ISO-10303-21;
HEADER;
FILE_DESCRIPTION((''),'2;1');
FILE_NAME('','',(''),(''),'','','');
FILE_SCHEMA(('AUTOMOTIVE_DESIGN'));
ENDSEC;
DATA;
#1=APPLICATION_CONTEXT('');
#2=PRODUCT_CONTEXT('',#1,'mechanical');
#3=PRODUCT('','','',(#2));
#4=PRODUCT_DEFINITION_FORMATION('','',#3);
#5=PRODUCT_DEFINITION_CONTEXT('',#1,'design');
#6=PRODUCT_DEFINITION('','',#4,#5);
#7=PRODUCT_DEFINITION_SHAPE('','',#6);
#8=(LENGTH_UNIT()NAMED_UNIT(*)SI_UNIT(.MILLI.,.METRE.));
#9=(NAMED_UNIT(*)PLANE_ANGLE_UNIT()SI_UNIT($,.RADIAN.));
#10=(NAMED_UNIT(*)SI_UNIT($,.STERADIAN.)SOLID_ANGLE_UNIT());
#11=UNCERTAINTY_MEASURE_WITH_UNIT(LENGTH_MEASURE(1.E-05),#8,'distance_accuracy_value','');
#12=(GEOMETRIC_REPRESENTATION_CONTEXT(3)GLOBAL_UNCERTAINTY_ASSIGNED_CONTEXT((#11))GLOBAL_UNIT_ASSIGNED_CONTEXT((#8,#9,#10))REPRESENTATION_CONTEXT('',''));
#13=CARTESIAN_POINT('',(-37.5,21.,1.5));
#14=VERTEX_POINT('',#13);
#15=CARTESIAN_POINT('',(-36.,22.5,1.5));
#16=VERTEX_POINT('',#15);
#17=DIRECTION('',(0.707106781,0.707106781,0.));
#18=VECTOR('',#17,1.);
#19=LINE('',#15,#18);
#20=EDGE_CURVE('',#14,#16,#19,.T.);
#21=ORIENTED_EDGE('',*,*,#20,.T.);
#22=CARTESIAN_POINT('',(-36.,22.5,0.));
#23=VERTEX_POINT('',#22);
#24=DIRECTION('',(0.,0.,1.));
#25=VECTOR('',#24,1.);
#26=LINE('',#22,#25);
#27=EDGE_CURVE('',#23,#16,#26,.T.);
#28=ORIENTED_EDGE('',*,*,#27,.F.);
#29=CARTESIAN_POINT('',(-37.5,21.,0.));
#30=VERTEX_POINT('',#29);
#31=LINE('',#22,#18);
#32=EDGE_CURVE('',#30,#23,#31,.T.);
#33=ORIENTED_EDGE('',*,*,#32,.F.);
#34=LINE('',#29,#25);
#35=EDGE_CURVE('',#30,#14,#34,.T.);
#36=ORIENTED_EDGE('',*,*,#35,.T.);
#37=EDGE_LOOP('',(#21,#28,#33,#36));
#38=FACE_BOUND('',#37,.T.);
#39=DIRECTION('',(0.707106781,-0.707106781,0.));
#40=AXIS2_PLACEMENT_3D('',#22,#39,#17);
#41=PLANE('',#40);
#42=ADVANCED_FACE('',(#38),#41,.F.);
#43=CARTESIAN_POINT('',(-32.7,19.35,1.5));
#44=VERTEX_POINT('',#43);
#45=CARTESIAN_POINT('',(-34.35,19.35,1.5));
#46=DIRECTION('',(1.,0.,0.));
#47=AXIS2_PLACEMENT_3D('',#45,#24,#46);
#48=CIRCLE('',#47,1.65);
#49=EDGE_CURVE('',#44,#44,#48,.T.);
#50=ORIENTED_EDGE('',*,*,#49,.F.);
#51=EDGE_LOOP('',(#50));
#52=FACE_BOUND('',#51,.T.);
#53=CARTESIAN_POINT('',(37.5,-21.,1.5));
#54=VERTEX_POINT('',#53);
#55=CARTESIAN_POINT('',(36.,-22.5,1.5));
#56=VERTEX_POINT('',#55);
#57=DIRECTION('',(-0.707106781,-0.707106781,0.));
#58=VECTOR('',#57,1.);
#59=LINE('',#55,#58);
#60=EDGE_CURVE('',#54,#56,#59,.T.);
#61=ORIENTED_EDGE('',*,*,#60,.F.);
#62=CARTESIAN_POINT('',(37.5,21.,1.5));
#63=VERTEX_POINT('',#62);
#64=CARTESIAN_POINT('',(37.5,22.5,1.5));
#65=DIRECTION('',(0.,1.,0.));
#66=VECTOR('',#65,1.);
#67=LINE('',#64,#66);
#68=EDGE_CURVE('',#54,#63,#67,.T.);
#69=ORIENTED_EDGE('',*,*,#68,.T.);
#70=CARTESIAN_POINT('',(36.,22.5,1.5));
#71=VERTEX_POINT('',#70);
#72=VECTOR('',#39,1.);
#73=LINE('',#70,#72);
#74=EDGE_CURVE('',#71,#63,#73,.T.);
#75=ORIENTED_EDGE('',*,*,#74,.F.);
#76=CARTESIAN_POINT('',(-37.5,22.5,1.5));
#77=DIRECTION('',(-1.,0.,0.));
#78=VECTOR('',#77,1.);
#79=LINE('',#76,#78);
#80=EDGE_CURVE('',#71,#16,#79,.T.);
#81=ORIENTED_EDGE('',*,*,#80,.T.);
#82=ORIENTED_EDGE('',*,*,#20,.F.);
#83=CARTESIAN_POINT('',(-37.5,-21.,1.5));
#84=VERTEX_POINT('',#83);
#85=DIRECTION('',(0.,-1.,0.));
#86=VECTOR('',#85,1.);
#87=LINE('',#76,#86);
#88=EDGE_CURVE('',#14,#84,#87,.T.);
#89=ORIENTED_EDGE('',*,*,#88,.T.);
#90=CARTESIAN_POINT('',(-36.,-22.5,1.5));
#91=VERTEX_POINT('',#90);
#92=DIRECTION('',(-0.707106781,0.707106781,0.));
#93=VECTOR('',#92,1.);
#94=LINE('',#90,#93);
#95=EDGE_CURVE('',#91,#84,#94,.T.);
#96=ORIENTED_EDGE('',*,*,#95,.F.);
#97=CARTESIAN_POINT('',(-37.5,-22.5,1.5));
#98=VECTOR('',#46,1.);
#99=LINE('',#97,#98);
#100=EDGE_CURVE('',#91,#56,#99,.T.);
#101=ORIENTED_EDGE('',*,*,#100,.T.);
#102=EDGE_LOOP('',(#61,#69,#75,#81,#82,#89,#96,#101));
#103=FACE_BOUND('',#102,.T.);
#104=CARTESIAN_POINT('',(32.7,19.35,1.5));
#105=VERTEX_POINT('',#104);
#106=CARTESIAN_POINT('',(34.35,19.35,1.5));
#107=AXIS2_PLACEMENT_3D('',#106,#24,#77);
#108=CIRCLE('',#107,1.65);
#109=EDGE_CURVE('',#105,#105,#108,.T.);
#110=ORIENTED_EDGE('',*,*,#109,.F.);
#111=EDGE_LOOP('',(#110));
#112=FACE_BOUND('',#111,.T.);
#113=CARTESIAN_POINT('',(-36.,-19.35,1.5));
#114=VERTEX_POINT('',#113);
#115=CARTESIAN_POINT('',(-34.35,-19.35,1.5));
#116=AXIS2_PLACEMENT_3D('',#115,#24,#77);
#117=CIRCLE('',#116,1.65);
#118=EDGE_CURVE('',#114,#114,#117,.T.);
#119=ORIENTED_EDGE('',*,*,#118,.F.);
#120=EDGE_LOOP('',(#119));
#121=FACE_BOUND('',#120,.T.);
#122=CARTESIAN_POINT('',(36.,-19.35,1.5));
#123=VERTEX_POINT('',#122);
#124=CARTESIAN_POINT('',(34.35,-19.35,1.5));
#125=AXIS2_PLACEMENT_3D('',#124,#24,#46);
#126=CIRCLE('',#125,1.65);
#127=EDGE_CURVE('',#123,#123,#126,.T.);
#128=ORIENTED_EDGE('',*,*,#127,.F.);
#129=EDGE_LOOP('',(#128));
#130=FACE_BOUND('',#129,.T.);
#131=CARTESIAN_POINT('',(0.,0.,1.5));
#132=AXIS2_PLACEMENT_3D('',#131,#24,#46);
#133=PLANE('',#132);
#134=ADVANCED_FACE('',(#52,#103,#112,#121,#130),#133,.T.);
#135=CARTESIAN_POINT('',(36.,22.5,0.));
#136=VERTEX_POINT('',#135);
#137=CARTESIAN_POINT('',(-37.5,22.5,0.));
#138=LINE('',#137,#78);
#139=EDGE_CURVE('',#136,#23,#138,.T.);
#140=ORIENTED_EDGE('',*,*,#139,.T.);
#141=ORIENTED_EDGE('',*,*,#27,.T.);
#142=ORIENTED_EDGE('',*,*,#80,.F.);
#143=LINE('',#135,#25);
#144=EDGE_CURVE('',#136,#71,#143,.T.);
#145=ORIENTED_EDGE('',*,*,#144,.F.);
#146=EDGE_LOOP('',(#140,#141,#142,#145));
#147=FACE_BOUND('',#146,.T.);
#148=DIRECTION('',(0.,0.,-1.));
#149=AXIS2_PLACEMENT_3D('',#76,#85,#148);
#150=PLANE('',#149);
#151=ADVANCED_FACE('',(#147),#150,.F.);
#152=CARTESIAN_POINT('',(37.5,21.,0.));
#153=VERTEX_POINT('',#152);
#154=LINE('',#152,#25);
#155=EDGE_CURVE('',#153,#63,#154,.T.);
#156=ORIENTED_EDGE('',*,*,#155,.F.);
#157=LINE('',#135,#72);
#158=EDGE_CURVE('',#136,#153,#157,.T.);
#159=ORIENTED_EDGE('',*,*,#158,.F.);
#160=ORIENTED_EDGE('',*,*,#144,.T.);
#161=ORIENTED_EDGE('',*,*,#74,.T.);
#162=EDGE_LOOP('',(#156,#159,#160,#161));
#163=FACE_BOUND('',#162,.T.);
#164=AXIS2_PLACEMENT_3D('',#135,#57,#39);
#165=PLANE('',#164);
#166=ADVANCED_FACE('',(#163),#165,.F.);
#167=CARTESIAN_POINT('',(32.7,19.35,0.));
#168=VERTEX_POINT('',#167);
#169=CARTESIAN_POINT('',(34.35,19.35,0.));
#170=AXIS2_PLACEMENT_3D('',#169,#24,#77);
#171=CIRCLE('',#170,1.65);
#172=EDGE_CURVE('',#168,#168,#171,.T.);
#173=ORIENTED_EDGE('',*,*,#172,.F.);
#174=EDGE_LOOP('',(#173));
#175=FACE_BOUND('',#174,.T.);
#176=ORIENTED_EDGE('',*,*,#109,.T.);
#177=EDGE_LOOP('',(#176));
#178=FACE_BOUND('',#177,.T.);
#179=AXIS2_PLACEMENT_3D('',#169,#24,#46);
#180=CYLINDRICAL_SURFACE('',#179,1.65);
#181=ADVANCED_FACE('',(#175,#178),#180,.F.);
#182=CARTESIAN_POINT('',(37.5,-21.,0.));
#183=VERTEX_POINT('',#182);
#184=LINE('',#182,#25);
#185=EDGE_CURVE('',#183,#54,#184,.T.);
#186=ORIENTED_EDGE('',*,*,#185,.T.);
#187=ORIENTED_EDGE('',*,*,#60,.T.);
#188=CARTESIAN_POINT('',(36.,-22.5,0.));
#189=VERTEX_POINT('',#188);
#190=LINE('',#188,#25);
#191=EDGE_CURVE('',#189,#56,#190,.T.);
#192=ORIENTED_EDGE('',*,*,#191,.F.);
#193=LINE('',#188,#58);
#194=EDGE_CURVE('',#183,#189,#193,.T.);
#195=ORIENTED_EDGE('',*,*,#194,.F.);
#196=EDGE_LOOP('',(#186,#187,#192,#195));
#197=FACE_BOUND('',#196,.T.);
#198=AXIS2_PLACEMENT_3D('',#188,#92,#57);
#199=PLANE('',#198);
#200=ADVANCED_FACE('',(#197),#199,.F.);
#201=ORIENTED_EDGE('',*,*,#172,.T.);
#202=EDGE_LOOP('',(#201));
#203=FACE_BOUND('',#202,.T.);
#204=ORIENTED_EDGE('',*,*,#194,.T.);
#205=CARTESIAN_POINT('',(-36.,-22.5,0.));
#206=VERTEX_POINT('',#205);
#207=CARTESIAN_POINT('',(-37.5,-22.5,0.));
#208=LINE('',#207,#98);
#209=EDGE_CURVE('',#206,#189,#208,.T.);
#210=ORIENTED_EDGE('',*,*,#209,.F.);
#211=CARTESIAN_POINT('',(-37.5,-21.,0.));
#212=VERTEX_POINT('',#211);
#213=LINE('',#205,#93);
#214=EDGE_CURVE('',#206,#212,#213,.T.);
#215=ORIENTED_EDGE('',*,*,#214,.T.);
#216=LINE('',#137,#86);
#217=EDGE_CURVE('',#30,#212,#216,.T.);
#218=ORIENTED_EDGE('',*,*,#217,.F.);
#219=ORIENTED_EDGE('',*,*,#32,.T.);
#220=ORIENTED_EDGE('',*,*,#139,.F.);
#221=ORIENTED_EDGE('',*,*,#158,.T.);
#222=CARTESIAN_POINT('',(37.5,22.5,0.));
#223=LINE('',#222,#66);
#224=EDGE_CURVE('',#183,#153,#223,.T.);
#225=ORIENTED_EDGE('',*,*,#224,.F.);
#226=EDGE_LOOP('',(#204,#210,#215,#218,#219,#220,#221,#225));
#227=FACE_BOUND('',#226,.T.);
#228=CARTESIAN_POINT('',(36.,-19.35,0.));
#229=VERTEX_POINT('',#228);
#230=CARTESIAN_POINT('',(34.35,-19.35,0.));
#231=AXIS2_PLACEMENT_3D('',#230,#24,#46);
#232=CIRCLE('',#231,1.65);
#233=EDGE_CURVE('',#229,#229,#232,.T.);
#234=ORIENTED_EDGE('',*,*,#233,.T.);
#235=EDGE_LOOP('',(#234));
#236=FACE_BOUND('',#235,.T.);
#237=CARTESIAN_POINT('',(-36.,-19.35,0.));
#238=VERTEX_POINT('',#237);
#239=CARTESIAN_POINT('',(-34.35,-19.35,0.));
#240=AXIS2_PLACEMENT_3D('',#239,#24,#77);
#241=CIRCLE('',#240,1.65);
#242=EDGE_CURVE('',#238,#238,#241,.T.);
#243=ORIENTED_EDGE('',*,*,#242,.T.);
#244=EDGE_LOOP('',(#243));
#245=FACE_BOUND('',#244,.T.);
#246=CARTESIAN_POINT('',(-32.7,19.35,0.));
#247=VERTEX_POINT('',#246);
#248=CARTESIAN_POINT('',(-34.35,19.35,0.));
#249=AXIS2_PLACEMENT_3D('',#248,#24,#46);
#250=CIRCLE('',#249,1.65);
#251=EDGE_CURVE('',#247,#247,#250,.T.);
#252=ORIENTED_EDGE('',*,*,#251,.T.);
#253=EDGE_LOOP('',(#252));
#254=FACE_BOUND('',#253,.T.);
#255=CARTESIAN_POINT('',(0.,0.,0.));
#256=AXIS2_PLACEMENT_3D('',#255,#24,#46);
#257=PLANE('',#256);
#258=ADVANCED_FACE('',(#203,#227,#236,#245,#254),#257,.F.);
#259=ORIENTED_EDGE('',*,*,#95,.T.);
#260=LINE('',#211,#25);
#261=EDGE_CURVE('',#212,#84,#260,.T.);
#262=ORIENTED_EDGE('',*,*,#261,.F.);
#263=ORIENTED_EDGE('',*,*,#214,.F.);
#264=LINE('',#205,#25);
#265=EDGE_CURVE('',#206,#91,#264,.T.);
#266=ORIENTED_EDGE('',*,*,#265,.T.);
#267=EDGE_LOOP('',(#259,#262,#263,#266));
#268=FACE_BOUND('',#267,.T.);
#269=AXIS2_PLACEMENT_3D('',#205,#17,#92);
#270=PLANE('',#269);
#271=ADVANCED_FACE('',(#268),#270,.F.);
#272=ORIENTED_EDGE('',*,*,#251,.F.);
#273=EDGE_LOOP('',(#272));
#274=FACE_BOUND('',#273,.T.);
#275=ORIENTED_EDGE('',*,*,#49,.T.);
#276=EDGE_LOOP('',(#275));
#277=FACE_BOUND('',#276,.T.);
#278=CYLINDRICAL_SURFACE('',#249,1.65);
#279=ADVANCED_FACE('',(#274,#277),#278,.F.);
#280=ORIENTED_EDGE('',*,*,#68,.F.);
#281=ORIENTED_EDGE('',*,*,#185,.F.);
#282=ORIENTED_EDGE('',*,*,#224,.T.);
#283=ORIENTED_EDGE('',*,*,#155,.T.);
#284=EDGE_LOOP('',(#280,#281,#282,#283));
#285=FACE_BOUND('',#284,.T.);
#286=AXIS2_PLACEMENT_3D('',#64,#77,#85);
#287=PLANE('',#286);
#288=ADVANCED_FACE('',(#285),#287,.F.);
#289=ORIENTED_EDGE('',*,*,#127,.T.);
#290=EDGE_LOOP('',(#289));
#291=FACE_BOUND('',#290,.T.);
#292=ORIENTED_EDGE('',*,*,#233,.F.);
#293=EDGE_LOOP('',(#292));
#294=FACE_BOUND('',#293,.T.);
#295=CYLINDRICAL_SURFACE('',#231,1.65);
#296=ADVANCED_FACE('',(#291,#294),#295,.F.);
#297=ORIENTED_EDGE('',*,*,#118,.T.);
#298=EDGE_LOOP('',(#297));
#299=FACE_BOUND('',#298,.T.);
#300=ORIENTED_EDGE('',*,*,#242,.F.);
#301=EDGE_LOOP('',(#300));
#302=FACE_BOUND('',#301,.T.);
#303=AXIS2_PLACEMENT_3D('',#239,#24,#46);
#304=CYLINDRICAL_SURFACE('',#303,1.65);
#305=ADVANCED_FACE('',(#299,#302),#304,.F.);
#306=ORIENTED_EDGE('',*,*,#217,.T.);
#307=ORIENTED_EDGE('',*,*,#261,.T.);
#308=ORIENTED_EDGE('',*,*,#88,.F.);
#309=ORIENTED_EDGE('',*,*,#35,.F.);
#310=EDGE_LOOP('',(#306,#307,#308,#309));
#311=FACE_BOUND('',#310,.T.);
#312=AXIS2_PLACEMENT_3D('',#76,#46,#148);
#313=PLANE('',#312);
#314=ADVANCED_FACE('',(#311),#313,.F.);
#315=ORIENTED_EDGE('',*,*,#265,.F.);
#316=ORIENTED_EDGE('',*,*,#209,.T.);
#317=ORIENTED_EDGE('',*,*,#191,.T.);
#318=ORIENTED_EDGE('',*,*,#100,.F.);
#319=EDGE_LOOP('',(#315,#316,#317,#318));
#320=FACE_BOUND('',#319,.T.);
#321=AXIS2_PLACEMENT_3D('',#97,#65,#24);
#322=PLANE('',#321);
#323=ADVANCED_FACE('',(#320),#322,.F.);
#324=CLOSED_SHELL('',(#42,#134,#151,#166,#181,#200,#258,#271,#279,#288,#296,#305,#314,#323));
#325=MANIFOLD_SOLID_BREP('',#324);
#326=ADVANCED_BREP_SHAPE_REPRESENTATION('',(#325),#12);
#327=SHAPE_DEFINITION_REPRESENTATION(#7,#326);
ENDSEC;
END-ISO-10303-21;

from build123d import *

# Parameters (mm, degrees)
SKETCH1_W           = 75
SKETCH1_H           = 45
BOSS_EXTRUDE1_DEPTH = 1.5
SKETCH2_R           = 1.65
CUT_EXTRUDE1_DEPTH  = 2.5


with BuildPart() as part:
    # Sketch1 → Boss-Extrude1 (new body)
    with BuildSketch(Plane.XY):
        Rectangle(SKETCH1_W, SKETCH1_H)
    extrude(amount=BOSS_EXTRUDE1_DEPTH)

    # Sketch2 → Cut-Extrude1 (cut, through all)
    with BuildSketch(Plane.XY.offset(1.5)):
        with Locations((-34.35, 19.35)):
            Circle(SKETCH2_R)
        with Locations((34.35, 19.35)):
            Circle(SKETCH2_R)
        with Locations((34.35, -19.35)):
            Circle(SKETCH2_R)
        with Locations((-34.35, -19.35)):
            Circle(SKETCH2_R)
        Polygon((-37.5, 22.5), (-36, 22.5), (-37.5, 21), align=None)
        Polygon((37.5, 22.5), (36, 22.5), (37.5, 21), align=None)
        Polygon((37.5, -21), (37.5, -22.5), (36, -22.5), align=None)
        Polygon((-37.5, -22.5), (-36, -22.5), (-37.5, -21), align=None)
    extrude(amount=-CUT_EXTRUDE1_DEPTH, mode=Mode.SUBTRACT)


solid = part.part
